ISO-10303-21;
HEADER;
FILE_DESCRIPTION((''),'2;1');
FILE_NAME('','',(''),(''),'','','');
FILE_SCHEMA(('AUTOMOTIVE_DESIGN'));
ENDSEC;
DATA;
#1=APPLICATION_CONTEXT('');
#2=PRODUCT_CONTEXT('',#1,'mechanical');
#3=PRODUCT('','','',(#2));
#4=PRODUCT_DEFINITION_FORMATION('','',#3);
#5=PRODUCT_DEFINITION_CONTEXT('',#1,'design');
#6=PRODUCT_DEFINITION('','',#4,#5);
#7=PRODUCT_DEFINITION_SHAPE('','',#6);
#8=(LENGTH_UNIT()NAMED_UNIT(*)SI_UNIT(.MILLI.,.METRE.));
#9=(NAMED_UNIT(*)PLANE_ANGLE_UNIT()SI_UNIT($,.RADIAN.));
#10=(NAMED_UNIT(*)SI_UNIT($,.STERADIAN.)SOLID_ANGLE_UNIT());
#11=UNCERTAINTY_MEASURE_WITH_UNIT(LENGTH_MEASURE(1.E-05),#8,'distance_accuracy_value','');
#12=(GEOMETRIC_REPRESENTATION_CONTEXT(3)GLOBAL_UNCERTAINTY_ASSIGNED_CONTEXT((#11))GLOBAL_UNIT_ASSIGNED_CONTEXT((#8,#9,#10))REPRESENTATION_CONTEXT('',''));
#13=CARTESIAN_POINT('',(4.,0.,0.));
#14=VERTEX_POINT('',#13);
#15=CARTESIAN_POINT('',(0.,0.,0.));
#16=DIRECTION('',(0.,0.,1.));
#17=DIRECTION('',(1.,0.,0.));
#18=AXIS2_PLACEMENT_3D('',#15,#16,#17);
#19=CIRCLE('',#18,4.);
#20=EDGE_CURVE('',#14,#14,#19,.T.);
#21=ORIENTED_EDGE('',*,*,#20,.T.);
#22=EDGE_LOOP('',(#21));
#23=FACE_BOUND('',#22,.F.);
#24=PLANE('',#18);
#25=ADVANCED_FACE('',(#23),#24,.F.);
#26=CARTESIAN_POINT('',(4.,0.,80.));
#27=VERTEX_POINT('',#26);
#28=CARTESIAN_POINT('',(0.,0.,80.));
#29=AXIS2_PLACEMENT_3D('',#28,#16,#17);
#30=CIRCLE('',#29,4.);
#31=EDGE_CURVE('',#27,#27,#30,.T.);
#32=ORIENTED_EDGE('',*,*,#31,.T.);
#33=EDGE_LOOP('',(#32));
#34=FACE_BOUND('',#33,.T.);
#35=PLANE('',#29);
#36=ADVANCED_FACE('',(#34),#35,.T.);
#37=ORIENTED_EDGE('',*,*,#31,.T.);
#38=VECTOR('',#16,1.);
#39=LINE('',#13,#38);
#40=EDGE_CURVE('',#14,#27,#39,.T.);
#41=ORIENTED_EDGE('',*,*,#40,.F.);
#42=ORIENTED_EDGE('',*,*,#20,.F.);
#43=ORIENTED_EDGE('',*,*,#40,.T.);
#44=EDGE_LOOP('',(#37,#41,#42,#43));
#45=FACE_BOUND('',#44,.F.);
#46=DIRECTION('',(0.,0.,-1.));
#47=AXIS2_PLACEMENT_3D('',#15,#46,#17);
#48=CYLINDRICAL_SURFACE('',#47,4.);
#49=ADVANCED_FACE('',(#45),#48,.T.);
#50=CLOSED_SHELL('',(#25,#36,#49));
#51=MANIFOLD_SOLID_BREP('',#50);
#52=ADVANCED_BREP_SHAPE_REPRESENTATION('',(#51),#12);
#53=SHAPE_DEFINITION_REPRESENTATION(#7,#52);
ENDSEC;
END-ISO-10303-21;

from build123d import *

# Parameters (mm, degrees)
SKETCH1_R           = 4
BOSS_EXTRUDE1_DEPTH = 80


with BuildPart() as part:
    # Sketch1 → Boss-Extrude1 (new body)
    with BuildSketch(Plane.XY):
        Circle(SKETCH1_R)
    extrude(amount=BOSS_EXTRUDE1_DEPTH)


solid = part.part
